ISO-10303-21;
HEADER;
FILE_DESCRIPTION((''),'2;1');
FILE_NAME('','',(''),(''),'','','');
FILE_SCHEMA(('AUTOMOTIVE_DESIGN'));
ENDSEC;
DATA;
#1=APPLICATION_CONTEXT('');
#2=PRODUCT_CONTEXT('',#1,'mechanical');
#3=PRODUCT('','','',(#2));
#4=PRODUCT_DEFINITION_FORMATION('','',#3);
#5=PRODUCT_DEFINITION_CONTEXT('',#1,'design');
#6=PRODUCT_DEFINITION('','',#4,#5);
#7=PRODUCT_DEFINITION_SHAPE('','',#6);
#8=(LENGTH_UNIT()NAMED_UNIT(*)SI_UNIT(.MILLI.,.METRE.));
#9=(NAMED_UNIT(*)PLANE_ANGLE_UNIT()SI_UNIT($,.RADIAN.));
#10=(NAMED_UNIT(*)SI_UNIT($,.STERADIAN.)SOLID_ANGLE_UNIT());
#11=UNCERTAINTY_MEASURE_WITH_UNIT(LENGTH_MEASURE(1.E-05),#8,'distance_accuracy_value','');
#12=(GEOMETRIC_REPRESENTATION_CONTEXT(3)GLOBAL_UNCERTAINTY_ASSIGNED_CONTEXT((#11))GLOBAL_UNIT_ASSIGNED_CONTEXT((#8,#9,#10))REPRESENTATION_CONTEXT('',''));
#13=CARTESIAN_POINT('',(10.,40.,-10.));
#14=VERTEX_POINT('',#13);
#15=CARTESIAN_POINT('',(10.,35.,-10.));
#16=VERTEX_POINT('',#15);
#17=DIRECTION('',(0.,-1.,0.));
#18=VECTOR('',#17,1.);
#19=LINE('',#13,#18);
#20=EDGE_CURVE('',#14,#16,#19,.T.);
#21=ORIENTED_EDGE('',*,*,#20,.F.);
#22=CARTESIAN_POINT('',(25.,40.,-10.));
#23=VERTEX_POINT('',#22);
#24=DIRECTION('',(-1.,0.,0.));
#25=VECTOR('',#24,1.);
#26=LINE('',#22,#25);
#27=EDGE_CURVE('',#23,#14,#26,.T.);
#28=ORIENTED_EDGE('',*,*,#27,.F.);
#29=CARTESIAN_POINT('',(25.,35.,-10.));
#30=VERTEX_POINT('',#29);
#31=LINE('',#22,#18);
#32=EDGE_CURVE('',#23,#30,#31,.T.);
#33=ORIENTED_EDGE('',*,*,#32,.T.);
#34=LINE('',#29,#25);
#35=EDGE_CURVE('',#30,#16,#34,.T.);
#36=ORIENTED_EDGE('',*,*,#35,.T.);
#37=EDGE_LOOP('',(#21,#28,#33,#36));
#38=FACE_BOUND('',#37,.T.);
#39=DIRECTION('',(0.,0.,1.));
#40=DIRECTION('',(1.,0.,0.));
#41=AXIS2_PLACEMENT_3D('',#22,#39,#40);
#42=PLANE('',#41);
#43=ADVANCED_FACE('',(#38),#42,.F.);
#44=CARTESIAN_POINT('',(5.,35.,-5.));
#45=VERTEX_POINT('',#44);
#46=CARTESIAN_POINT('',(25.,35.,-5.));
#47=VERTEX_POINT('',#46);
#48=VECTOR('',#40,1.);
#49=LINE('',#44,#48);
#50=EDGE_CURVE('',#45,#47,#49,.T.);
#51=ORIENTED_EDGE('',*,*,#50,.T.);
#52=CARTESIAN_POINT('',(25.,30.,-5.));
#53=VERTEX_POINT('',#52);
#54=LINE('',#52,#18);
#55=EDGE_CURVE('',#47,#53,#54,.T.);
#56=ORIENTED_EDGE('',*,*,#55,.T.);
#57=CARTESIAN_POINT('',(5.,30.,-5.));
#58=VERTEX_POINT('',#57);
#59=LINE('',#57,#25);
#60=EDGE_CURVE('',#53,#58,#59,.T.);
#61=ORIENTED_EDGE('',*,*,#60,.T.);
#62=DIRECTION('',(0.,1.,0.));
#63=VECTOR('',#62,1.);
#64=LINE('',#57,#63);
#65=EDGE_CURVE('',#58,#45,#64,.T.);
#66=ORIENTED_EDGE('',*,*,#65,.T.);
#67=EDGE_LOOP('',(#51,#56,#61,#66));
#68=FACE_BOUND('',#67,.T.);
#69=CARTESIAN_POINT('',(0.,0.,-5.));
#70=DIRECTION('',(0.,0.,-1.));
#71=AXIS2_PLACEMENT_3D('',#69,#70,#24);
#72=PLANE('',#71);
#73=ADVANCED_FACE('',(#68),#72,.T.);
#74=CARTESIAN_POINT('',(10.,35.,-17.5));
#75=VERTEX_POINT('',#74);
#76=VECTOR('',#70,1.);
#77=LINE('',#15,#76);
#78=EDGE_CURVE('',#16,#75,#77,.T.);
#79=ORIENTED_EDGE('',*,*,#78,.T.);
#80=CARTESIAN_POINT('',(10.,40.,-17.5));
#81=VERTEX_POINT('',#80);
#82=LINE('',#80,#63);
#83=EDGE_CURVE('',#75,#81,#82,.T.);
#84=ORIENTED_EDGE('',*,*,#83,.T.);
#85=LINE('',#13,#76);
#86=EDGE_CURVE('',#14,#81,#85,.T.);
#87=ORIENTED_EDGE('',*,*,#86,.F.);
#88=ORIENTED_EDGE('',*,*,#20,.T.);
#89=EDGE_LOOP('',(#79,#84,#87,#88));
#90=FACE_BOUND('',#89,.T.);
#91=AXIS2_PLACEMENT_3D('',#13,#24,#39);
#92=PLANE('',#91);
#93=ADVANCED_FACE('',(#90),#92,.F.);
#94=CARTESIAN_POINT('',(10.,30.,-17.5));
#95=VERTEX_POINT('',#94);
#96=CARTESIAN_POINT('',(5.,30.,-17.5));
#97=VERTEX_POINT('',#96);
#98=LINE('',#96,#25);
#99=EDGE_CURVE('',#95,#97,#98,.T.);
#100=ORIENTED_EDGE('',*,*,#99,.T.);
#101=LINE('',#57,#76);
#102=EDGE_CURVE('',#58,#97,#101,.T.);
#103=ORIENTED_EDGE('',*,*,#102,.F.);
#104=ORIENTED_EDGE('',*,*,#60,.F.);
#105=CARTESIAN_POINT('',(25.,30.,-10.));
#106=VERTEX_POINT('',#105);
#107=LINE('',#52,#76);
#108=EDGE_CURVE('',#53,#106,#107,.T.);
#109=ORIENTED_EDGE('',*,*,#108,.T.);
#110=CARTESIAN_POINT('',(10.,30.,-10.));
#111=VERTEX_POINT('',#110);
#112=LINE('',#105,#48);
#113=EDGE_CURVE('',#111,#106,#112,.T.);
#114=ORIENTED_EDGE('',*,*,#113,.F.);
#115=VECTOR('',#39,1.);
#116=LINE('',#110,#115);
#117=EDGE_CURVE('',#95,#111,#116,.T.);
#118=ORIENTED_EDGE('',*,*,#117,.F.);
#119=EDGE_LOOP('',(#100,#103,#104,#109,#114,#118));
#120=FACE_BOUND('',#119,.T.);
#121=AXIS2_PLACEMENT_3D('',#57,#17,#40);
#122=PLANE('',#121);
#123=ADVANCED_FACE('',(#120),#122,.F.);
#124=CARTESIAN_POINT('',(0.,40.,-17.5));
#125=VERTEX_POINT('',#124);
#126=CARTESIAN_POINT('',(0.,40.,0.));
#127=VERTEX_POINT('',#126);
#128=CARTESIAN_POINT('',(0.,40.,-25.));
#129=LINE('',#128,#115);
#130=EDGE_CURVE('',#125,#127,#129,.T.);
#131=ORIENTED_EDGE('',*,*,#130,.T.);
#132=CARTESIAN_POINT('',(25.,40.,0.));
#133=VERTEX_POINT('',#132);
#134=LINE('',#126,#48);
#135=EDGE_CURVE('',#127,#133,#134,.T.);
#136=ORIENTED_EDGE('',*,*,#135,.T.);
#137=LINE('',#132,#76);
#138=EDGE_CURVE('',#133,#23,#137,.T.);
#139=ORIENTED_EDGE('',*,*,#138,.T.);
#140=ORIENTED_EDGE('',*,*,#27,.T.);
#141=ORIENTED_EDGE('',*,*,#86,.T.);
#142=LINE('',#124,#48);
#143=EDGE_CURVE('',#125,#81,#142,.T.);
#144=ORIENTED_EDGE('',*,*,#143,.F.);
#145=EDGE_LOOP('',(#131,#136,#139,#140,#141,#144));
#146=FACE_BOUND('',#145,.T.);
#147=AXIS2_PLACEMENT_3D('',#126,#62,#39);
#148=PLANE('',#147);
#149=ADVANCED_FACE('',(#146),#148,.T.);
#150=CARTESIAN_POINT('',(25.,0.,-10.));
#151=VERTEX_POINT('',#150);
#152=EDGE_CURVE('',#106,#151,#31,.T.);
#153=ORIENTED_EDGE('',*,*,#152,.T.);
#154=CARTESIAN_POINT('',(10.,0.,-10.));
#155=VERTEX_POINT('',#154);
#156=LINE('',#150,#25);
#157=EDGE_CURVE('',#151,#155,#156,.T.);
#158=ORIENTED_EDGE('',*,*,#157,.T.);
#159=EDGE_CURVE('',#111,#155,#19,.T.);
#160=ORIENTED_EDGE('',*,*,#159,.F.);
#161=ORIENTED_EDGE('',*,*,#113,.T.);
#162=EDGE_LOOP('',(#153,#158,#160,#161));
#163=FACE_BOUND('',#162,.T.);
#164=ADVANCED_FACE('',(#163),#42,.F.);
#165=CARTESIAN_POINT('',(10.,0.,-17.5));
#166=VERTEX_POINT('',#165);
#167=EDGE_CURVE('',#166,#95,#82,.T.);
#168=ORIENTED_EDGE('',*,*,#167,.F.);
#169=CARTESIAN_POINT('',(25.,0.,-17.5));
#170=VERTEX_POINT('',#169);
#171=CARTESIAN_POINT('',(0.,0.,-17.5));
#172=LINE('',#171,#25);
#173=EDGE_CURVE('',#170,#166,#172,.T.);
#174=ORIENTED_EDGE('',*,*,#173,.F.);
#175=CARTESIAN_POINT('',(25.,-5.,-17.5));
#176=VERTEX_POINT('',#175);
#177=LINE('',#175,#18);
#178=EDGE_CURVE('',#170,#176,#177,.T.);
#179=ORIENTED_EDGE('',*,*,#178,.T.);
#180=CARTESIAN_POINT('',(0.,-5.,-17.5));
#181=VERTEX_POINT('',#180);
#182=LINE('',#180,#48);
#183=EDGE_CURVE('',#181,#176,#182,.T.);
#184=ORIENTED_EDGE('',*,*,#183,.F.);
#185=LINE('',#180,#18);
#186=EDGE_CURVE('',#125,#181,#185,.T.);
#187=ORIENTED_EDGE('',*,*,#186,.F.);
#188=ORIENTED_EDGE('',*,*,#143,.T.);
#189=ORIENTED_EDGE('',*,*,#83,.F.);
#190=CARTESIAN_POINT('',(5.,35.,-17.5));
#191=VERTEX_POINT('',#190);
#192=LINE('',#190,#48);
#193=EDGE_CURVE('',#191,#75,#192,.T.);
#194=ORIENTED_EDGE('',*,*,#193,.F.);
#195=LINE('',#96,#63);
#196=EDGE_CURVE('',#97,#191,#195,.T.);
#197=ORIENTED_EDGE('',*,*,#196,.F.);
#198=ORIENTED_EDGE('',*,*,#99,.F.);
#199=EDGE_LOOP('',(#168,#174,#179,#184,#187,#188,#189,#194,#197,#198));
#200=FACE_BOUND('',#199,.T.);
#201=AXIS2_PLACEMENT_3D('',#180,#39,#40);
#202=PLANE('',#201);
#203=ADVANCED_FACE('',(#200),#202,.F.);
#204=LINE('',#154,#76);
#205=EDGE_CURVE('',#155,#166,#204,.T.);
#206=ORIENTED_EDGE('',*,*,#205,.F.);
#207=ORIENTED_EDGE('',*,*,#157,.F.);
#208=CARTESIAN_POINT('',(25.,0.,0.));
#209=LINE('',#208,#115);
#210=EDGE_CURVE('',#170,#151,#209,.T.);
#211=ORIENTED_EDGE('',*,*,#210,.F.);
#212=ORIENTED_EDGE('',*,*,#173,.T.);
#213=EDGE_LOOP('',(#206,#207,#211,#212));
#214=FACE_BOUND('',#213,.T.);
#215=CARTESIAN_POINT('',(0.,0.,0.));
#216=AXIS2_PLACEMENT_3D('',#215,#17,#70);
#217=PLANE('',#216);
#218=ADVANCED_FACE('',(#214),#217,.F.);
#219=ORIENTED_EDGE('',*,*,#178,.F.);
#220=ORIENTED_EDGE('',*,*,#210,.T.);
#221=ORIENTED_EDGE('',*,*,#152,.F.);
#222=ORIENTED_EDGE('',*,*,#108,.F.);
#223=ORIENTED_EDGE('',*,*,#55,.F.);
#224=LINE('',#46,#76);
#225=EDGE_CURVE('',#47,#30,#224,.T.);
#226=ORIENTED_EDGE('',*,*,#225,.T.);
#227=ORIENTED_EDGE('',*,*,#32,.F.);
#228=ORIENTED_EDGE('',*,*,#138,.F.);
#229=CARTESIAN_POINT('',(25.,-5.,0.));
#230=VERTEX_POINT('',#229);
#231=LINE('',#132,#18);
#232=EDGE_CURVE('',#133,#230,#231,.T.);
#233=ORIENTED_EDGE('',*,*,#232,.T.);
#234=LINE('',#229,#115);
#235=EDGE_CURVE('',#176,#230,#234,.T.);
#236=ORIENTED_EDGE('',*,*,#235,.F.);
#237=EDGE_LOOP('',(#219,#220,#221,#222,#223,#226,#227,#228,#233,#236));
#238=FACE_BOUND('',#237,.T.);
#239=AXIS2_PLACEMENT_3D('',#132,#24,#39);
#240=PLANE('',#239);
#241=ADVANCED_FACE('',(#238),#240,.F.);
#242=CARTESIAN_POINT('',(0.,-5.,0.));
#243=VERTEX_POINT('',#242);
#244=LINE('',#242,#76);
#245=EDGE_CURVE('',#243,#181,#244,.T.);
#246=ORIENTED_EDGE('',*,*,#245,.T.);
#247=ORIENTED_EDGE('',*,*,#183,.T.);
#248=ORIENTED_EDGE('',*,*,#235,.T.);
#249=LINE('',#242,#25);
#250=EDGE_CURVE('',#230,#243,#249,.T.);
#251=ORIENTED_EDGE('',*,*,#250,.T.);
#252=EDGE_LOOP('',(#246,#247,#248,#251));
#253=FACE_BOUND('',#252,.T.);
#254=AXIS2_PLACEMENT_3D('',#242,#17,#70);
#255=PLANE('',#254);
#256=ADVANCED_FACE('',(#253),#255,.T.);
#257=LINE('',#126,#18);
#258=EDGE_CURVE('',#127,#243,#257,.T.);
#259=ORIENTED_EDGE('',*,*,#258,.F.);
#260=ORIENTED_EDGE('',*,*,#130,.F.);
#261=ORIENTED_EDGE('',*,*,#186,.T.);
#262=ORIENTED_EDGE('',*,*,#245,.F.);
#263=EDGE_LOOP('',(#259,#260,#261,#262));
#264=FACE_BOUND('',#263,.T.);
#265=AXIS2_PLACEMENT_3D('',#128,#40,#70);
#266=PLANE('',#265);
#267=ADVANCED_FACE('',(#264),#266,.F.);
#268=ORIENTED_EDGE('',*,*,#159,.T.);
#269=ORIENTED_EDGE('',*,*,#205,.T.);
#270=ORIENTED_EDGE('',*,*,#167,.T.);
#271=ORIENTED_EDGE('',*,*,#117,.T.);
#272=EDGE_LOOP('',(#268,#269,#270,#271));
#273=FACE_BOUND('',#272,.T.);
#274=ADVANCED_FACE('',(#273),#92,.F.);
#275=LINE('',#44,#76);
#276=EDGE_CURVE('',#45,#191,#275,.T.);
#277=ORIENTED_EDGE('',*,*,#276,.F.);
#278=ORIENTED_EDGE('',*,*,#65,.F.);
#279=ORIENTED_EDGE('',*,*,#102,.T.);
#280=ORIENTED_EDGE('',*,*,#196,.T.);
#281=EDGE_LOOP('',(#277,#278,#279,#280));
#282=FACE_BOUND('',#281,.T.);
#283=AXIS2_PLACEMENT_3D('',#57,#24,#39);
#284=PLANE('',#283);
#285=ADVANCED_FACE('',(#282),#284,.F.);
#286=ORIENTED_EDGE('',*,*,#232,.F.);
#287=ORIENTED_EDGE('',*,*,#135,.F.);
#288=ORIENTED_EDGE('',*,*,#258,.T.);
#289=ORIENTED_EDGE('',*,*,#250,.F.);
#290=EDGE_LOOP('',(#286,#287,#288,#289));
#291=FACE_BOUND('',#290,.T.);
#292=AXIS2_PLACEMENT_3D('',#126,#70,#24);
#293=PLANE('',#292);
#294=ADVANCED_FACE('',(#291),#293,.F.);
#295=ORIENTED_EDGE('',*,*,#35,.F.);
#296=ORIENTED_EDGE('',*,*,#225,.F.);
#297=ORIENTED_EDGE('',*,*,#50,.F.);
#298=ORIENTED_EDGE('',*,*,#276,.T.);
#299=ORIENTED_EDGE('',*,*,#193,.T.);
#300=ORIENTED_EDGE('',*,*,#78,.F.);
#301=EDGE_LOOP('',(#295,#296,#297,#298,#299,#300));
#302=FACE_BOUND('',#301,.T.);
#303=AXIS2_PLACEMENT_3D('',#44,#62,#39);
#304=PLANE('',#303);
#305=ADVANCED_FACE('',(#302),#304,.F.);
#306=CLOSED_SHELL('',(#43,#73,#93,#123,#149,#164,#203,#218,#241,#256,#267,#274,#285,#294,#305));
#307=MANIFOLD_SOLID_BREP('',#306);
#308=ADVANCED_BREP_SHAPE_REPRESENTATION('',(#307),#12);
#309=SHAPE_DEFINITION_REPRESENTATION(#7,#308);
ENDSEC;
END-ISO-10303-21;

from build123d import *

# Parameters (mm, degrees)
EXTRUDE_1_DEPTH          = 40
SKETCH_2_W               = 25
SKETCH_2_H               = 25
EXTRUDE_2_DEPTH          = 5
SKETCH_3_W               = 20
SKETCH_3_H               = 5
CUT_EXTRUDE_1_DEPTH      = 20
CUT_EXTRUDE_2_DEPTH      = 50.497474683
CUT_EXTRUDE_2_DEPTH_BACK = 50.497474683
SKETCH_4_W               = 7.5
SKETCH_4_H               = 45


with BuildPart() as part:
    # 스케치1 → 보스-돌출1 (new body)
    with BuildSketch(Plane(origin=(0, 0, 0), x_dir=(1, 0, 0), z_dir=(0, 1, 0))):
        Polygon((0, 0), (25, 0), (25, 10), (10, 10), (10, 25), (0, 25), align=None)
    extrude(amount=EXTRUDE_1_DEPTH)

    # 스케치2 → 보스-돌출2 (add)
    with BuildSketch(Plane.XZ):
        with Locations((12.5, -12.5)):
            Rectangle(SKETCH_2_W, SKETCH_2_H)
    extrude(amount=EXTRUDE_2_DEPTH)

    # 스케치3 → 컷-돌출1 (cut)
    with BuildSketch(Plane(origin=(0, 0, -25), x_dir=(-1, 0, 0), z_dir=(0, 0, -1))):
        with Locations((-15, 32.5)):
            Rectangle(SKETCH_3_W, SKETCH_3_H)
    extrude(amount=-CUT_EXTRUDE_1_DEPTH, mode=Mode.SUBTRACT)

    # 스케치4 → 컷-돌출2 (cut, two sides: drawn at the far end of the back side and taken through both)
    with BuildSketch(Plane(origin=(10, 0, 0), x_dir=(0, 0, -1), z_dir=(1, 0, 0)).offset(-CUT_EXTRUDE_2_DEPTH_BACK)):
        with Locations((21.25, 17.5)):
            Rectangle(SKETCH_4_W, SKETCH_4_H)
    extrude(amount=CUT_EXTRUDE_2_DEPTH + CUT_EXTRUDE_2_DEPTH_BACK, mode=Mode.SUBTRACT)


solid = part.part
